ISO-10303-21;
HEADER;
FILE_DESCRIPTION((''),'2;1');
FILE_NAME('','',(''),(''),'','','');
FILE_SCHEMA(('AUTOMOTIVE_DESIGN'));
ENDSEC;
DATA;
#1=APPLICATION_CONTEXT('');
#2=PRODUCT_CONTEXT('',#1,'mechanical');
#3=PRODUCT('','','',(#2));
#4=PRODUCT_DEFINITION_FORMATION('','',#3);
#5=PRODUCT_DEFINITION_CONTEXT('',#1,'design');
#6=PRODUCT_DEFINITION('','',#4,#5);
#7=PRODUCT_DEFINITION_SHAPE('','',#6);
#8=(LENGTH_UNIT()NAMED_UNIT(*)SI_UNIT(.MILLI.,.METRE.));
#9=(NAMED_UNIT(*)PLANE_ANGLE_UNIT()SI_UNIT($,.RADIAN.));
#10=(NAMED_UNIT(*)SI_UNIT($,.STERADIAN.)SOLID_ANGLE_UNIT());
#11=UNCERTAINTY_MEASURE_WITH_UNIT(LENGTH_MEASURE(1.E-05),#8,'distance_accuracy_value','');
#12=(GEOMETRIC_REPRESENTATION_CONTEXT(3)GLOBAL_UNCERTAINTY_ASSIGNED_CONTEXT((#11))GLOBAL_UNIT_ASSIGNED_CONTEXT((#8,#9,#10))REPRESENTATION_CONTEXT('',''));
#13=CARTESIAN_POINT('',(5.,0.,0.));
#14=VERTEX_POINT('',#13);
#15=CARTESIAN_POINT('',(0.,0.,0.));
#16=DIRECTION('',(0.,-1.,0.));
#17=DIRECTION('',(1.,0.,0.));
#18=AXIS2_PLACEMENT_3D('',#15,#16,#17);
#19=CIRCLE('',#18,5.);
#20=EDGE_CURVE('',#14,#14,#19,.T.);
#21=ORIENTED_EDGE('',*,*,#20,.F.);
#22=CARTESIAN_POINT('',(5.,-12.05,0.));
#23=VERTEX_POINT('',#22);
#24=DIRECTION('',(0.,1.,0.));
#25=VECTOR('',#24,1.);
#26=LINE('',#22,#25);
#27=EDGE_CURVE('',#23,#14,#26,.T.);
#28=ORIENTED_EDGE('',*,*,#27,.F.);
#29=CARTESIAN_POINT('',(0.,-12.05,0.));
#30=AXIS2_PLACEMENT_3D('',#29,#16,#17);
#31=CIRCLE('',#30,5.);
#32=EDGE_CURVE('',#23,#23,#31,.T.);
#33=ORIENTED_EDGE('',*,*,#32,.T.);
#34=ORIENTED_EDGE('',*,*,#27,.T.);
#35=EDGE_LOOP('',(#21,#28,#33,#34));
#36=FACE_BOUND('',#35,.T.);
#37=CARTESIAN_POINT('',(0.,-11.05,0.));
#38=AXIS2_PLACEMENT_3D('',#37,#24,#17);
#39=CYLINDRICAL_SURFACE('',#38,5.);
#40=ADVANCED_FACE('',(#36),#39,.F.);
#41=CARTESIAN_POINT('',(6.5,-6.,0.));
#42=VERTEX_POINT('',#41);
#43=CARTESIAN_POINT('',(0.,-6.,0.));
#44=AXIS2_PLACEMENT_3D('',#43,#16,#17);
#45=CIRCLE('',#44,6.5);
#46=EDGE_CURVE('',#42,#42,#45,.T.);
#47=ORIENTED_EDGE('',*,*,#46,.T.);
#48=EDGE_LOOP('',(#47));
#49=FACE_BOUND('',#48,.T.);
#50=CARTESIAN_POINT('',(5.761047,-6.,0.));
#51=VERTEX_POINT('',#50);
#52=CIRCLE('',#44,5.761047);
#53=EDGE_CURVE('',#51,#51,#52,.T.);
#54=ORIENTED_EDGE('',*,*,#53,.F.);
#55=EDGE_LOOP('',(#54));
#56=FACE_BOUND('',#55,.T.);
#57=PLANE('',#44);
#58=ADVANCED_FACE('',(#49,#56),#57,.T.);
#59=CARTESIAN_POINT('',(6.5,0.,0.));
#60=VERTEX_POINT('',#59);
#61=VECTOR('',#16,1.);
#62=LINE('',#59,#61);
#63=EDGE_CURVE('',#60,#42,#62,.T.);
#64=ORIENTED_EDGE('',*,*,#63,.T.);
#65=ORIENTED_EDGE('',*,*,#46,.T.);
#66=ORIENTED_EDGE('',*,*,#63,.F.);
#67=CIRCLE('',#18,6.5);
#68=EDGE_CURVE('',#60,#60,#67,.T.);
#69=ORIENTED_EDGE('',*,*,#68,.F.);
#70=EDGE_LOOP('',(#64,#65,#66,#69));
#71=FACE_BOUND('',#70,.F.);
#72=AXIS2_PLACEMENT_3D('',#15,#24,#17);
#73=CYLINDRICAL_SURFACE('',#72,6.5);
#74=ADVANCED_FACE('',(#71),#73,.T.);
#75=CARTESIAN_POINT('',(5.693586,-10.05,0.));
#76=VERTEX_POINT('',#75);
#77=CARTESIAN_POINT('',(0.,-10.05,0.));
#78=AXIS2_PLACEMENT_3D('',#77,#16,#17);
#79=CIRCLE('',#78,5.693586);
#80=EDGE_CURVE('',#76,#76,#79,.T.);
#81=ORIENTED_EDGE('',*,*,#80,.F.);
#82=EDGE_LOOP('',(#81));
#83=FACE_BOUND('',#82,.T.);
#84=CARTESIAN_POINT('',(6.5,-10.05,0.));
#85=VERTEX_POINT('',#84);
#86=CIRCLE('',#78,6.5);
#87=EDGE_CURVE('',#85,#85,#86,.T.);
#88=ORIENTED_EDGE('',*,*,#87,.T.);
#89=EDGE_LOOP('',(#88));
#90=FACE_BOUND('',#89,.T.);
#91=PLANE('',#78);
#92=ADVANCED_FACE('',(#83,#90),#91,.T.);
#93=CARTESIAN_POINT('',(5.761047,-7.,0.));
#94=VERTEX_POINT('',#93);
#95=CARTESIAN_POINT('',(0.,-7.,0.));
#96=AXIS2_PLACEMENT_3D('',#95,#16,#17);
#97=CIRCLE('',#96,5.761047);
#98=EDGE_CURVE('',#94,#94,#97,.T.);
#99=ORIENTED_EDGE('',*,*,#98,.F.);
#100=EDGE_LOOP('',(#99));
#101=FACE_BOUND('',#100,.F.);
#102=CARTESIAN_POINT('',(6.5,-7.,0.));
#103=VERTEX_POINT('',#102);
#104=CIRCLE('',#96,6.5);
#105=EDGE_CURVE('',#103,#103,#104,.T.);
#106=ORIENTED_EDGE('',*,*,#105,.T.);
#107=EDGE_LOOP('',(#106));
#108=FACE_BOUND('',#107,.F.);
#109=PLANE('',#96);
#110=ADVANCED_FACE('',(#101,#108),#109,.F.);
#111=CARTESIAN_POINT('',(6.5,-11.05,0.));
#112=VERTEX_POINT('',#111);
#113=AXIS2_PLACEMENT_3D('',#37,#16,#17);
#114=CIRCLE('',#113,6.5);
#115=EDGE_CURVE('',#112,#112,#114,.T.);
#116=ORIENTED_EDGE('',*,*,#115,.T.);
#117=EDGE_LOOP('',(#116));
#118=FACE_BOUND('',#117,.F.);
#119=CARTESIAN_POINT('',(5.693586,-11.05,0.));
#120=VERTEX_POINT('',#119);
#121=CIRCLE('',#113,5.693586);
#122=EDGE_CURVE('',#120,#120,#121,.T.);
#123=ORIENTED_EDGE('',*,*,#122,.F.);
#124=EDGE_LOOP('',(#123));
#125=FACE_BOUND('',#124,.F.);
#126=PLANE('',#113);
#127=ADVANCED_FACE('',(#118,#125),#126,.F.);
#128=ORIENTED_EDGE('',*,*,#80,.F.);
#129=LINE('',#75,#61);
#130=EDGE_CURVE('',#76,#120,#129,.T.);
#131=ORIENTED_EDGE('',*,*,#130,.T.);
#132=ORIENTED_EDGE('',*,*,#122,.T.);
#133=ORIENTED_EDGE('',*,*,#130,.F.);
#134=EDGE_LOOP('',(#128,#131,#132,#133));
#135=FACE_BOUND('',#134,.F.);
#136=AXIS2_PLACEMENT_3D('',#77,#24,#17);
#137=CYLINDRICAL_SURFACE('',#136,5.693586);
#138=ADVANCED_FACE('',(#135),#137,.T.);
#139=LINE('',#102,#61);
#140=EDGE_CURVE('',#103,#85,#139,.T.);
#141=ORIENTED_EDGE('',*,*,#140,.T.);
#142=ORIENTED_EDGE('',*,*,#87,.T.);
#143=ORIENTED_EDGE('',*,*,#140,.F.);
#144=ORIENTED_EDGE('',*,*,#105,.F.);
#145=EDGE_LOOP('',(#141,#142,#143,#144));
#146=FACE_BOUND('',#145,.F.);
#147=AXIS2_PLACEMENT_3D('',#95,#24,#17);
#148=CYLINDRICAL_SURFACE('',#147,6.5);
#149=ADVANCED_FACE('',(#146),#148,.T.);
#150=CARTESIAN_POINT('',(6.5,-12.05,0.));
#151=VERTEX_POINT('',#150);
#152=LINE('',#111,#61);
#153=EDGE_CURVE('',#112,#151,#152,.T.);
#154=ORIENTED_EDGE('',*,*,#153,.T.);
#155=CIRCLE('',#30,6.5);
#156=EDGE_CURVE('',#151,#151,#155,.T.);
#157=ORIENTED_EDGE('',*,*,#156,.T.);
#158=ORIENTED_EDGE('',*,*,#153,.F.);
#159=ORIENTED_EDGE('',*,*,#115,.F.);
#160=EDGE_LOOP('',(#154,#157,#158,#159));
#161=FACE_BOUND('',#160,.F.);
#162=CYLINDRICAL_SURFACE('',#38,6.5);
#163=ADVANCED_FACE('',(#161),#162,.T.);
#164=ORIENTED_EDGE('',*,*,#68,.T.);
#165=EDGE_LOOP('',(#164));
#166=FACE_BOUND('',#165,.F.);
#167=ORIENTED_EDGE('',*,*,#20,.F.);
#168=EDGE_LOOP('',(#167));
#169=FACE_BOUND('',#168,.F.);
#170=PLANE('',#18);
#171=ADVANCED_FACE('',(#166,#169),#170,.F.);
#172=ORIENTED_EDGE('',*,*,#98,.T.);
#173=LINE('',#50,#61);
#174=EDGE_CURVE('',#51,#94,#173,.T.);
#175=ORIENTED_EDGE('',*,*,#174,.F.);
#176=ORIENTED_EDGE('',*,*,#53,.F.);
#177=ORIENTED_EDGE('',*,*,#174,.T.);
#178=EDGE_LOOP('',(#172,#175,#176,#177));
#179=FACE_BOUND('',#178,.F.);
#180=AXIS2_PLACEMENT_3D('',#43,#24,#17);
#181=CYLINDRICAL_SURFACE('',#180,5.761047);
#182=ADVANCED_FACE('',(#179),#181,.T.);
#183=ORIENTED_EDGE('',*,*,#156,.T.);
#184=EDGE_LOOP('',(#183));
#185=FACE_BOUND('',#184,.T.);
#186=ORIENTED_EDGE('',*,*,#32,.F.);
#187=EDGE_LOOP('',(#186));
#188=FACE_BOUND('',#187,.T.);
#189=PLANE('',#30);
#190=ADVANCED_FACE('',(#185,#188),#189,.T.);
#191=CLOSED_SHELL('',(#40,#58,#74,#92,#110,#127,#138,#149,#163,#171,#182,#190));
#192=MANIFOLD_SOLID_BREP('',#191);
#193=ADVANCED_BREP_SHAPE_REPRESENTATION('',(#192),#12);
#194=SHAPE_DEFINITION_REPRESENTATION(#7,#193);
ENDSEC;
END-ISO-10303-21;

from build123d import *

# Parameters (mm, degrees)
F0_R     = 6.5
F0_R_2   = 5
F1_DEPTH = 6
F2_R     = 5.761046585
F2_R_2   = 5
F3_DEPTH = 1
F4_R     = 6.5
F4_R_2   = 5
F5_DEPTH = 3.05
F6_R     = 5.693586081
F6_R_2   = 5
F7_DEPTH = 1
F8_R     = 6.5
F8_R_2   = 5
F9_DEPTH = 1


with BuildPart() as f1:
    # F0 (on Front) → F1 (new body)
    with BuildSketch(Plane.XZ):
        Circle(F0_R)
        Circle(F0_R_2, mode=Mode.SUBTRACT)
    extrude(amount=F1_DEPTH)

    # F2 (on face) → F3 (join)
    with BuildSketch(Plane.XZ.offset(6)):
        Circle(F2_R)
        Circle(F2_R_2, mode=Mode.SUBTRACT)
    extrude(amount=F3_DEPTH)

    # F4 (on face) → F5 (join)
    with BuildSketch(Plane.XZ.offset(7)):
        Circle(F4_R)
        Circle(F4_R_2, mode=Mode.SUBTRACT)
    extrude(amount=F5_DEPTH)

    # F6 (on face) → F7 (join)
    with BuildSketch(Plane.XZ.offset(10.05)):
        Circle(F6_R)
        Circle(F6_R_2, mode=Mode.SUBTRACT)
    extrude(amount=F7_DEPTH)

    # F8 (on face) → F9 (join)
    with BuildSketch(Plane.XZ.offset(11.05)):
        Circle(F8_R)
        Circle(F8_R_2, mode=Mode.SUBTRACT)
    extrude(amount=F9_DEPTH)


solid = f1.part
